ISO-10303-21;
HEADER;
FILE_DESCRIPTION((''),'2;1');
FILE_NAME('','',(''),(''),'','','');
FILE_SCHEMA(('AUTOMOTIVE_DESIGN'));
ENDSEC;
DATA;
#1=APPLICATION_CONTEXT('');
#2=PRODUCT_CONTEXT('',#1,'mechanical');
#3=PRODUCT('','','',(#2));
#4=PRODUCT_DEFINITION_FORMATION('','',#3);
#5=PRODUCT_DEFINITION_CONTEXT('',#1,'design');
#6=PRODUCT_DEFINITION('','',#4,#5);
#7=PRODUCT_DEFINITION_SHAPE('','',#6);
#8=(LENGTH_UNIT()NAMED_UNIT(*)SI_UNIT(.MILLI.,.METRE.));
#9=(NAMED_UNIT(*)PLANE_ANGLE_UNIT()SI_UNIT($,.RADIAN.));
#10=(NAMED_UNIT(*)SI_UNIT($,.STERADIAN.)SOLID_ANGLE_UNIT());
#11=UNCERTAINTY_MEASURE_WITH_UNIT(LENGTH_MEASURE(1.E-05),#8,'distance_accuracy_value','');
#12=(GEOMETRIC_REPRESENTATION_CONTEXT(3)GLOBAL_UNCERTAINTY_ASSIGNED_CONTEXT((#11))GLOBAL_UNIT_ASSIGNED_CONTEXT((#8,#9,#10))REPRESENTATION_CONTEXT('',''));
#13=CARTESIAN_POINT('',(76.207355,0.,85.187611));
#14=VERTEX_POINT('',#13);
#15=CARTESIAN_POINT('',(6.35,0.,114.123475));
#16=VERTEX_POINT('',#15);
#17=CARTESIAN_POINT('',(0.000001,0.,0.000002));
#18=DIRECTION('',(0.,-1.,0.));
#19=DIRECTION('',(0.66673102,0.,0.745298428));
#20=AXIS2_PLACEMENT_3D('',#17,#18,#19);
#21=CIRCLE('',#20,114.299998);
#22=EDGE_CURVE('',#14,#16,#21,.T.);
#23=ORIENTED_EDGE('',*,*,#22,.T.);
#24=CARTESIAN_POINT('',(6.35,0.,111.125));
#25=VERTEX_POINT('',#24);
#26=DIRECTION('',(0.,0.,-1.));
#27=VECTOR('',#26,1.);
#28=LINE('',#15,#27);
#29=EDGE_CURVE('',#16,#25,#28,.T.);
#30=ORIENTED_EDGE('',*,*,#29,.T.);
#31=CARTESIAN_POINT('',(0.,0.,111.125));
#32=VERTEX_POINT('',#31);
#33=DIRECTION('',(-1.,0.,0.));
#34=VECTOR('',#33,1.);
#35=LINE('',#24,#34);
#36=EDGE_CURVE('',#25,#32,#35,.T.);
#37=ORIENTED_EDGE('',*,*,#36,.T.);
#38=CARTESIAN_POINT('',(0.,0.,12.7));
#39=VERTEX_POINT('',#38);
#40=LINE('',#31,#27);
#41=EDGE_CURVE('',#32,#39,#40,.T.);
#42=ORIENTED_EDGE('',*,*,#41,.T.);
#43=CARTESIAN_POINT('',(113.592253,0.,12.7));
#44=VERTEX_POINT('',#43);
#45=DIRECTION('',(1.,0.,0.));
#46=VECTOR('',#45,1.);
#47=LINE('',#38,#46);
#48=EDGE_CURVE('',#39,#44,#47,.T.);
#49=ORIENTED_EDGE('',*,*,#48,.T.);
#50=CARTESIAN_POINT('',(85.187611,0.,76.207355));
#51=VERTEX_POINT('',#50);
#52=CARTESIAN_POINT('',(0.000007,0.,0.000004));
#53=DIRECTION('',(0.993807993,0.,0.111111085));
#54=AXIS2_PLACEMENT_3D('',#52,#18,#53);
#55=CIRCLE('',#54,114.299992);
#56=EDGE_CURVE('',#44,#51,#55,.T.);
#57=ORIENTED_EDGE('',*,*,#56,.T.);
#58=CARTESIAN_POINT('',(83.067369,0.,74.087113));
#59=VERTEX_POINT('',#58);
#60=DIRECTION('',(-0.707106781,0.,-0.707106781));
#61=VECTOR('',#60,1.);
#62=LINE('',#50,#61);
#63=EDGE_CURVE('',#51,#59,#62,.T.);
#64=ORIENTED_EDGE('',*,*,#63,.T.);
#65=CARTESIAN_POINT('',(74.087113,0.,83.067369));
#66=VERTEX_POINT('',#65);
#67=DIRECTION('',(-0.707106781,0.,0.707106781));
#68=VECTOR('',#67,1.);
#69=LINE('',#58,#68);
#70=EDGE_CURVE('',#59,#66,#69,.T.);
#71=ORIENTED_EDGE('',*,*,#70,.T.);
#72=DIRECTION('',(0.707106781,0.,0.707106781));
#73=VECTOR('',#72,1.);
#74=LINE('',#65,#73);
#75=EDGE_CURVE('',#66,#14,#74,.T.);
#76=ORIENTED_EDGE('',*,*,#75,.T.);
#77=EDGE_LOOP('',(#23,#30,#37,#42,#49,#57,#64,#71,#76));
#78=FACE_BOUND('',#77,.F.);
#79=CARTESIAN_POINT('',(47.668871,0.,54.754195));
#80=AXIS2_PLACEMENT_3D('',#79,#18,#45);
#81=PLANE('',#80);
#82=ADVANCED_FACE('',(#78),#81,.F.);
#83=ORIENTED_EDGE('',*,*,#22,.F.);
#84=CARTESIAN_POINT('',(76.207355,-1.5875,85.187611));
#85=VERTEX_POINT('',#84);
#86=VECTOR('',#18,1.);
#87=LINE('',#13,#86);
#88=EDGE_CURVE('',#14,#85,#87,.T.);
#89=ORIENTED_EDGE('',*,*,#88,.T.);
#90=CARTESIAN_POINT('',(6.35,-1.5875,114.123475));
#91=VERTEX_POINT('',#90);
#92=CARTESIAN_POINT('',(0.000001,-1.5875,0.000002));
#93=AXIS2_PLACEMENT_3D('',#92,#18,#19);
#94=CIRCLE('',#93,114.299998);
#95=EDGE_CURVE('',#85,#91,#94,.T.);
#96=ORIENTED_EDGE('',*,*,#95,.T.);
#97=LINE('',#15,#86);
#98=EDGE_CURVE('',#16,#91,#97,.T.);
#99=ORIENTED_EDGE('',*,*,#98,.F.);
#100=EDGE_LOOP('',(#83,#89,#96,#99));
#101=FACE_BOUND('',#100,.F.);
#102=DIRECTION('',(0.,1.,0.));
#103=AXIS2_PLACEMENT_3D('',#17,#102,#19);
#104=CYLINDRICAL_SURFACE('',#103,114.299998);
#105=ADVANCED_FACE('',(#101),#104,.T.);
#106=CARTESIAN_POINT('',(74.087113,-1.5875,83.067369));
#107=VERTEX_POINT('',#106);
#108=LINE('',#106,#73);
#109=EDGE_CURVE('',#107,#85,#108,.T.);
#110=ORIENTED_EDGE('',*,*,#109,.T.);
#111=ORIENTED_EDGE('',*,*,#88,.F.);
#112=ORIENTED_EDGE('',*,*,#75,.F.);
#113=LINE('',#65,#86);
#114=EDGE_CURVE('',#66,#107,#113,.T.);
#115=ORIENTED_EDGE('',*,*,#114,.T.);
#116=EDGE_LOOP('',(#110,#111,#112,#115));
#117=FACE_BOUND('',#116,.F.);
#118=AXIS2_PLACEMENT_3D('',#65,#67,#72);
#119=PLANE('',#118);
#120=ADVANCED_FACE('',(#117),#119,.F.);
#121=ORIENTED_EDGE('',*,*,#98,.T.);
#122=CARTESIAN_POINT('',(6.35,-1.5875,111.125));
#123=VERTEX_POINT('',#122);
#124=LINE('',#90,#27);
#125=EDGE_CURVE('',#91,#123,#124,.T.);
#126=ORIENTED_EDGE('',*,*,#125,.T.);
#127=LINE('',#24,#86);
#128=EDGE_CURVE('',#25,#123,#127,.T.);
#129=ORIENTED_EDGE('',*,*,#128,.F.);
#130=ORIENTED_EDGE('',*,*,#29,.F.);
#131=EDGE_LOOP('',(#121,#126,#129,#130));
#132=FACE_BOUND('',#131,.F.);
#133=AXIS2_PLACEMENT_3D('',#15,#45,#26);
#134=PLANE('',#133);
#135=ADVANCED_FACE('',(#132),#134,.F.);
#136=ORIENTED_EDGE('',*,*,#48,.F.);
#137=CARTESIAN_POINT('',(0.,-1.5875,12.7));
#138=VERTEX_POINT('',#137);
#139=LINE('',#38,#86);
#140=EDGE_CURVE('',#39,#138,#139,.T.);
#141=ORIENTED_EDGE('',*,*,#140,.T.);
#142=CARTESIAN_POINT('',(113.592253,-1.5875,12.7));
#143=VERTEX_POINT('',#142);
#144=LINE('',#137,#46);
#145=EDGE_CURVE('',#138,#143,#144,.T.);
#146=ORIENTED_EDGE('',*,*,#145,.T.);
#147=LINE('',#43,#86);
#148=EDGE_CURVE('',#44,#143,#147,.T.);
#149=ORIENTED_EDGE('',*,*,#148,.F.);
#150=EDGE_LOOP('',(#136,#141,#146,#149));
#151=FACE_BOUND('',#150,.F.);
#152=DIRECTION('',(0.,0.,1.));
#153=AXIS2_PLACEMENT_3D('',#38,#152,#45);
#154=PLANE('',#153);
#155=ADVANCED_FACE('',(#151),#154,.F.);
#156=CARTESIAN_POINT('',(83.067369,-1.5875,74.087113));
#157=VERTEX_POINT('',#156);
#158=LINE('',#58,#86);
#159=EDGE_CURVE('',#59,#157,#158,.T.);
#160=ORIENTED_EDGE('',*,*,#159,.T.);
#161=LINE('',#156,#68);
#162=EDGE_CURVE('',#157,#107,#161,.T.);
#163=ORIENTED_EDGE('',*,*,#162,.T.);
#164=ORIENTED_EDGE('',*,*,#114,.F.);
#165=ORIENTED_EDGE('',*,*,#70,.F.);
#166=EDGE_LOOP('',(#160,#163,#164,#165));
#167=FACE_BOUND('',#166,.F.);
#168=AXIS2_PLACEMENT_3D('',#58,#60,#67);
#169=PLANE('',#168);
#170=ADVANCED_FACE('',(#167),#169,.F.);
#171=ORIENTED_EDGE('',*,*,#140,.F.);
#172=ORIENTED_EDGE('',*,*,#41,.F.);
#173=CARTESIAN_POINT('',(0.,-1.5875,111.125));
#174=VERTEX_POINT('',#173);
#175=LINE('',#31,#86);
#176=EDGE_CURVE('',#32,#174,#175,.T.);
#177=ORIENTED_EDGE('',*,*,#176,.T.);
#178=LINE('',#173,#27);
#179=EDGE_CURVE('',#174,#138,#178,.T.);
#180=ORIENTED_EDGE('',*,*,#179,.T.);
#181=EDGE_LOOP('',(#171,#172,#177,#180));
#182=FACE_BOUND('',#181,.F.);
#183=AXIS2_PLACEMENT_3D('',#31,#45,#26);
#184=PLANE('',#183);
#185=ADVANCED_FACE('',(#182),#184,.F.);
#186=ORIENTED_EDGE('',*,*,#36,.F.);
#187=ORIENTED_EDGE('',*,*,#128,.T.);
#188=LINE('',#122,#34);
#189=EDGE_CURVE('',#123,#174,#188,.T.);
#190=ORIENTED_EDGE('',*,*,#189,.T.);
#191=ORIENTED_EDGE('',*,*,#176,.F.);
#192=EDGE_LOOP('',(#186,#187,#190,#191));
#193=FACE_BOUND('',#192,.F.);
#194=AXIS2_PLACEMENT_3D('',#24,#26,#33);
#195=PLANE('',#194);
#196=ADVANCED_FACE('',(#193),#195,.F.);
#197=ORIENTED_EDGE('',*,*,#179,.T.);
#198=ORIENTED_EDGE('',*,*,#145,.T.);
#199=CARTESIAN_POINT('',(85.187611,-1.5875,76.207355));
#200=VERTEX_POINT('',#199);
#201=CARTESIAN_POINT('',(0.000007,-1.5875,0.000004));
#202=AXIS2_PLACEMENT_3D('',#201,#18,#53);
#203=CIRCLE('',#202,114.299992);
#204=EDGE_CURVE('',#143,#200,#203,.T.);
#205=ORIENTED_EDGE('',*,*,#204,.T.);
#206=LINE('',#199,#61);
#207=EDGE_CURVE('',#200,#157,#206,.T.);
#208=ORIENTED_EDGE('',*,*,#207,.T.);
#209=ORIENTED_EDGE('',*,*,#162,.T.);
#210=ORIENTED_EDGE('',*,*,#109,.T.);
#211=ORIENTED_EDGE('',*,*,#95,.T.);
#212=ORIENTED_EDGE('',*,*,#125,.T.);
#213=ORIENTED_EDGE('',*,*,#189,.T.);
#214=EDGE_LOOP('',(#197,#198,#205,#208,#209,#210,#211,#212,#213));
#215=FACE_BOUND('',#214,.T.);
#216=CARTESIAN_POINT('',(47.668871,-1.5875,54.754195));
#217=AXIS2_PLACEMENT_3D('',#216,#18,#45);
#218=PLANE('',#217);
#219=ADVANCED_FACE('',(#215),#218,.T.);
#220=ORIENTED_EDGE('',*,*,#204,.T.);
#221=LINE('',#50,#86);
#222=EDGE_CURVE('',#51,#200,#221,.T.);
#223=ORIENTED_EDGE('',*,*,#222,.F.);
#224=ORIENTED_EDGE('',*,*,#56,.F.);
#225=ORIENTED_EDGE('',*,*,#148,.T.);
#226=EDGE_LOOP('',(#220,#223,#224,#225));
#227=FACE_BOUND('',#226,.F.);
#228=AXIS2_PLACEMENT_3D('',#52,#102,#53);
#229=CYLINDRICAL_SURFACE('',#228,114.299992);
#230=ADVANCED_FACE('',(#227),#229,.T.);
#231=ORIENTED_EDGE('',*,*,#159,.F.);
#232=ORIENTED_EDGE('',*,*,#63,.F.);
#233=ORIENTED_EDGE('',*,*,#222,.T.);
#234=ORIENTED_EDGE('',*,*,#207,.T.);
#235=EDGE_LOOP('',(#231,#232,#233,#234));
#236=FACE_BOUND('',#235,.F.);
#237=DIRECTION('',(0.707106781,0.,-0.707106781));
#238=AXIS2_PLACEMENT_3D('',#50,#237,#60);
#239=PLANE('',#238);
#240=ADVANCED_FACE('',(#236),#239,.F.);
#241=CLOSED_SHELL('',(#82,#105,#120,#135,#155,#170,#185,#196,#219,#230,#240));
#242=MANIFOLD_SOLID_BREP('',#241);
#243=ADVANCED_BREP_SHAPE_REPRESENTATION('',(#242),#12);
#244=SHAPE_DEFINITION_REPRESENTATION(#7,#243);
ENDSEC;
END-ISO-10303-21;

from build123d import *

# Parameters (mm, degrees)
F1_DEPTH = 1.5875


with BuildPart() as f1:
    # F0 (on Front) → F1 (new body)
    with BuildSketch(Plane.XZ):
        with BuildLine():
            Line((0, 12.7), (113.592253, 12.7))
            ThreePointArc((113.592253, 12.7), (104.339133, 46.667284), (85.187611, 76.207355))
            Line((85.187611, 76.207355), (83.067369, 74.087113))
            Line((83.067369, 74.087113), (78.577241, 78.577241))
            Line((78.577241, 78.577241), (74.087113, 83.067369))
            Line((74.087113, 83.067369), (76.207355, 85.187611))
            ThreePointArc((76.207355, 85.187611), (43.740716, 105.599431), (6.35, 114.123475))
            Line((6.35, 114.123475), (6.35, 111.125))
            Line((6.35, 111.125), (0, 111.125))
            Line((0, 111.125), (0, 12.7))
        make_face()
    extrude(amount=F1_DEPTH)


solid = f1.part
